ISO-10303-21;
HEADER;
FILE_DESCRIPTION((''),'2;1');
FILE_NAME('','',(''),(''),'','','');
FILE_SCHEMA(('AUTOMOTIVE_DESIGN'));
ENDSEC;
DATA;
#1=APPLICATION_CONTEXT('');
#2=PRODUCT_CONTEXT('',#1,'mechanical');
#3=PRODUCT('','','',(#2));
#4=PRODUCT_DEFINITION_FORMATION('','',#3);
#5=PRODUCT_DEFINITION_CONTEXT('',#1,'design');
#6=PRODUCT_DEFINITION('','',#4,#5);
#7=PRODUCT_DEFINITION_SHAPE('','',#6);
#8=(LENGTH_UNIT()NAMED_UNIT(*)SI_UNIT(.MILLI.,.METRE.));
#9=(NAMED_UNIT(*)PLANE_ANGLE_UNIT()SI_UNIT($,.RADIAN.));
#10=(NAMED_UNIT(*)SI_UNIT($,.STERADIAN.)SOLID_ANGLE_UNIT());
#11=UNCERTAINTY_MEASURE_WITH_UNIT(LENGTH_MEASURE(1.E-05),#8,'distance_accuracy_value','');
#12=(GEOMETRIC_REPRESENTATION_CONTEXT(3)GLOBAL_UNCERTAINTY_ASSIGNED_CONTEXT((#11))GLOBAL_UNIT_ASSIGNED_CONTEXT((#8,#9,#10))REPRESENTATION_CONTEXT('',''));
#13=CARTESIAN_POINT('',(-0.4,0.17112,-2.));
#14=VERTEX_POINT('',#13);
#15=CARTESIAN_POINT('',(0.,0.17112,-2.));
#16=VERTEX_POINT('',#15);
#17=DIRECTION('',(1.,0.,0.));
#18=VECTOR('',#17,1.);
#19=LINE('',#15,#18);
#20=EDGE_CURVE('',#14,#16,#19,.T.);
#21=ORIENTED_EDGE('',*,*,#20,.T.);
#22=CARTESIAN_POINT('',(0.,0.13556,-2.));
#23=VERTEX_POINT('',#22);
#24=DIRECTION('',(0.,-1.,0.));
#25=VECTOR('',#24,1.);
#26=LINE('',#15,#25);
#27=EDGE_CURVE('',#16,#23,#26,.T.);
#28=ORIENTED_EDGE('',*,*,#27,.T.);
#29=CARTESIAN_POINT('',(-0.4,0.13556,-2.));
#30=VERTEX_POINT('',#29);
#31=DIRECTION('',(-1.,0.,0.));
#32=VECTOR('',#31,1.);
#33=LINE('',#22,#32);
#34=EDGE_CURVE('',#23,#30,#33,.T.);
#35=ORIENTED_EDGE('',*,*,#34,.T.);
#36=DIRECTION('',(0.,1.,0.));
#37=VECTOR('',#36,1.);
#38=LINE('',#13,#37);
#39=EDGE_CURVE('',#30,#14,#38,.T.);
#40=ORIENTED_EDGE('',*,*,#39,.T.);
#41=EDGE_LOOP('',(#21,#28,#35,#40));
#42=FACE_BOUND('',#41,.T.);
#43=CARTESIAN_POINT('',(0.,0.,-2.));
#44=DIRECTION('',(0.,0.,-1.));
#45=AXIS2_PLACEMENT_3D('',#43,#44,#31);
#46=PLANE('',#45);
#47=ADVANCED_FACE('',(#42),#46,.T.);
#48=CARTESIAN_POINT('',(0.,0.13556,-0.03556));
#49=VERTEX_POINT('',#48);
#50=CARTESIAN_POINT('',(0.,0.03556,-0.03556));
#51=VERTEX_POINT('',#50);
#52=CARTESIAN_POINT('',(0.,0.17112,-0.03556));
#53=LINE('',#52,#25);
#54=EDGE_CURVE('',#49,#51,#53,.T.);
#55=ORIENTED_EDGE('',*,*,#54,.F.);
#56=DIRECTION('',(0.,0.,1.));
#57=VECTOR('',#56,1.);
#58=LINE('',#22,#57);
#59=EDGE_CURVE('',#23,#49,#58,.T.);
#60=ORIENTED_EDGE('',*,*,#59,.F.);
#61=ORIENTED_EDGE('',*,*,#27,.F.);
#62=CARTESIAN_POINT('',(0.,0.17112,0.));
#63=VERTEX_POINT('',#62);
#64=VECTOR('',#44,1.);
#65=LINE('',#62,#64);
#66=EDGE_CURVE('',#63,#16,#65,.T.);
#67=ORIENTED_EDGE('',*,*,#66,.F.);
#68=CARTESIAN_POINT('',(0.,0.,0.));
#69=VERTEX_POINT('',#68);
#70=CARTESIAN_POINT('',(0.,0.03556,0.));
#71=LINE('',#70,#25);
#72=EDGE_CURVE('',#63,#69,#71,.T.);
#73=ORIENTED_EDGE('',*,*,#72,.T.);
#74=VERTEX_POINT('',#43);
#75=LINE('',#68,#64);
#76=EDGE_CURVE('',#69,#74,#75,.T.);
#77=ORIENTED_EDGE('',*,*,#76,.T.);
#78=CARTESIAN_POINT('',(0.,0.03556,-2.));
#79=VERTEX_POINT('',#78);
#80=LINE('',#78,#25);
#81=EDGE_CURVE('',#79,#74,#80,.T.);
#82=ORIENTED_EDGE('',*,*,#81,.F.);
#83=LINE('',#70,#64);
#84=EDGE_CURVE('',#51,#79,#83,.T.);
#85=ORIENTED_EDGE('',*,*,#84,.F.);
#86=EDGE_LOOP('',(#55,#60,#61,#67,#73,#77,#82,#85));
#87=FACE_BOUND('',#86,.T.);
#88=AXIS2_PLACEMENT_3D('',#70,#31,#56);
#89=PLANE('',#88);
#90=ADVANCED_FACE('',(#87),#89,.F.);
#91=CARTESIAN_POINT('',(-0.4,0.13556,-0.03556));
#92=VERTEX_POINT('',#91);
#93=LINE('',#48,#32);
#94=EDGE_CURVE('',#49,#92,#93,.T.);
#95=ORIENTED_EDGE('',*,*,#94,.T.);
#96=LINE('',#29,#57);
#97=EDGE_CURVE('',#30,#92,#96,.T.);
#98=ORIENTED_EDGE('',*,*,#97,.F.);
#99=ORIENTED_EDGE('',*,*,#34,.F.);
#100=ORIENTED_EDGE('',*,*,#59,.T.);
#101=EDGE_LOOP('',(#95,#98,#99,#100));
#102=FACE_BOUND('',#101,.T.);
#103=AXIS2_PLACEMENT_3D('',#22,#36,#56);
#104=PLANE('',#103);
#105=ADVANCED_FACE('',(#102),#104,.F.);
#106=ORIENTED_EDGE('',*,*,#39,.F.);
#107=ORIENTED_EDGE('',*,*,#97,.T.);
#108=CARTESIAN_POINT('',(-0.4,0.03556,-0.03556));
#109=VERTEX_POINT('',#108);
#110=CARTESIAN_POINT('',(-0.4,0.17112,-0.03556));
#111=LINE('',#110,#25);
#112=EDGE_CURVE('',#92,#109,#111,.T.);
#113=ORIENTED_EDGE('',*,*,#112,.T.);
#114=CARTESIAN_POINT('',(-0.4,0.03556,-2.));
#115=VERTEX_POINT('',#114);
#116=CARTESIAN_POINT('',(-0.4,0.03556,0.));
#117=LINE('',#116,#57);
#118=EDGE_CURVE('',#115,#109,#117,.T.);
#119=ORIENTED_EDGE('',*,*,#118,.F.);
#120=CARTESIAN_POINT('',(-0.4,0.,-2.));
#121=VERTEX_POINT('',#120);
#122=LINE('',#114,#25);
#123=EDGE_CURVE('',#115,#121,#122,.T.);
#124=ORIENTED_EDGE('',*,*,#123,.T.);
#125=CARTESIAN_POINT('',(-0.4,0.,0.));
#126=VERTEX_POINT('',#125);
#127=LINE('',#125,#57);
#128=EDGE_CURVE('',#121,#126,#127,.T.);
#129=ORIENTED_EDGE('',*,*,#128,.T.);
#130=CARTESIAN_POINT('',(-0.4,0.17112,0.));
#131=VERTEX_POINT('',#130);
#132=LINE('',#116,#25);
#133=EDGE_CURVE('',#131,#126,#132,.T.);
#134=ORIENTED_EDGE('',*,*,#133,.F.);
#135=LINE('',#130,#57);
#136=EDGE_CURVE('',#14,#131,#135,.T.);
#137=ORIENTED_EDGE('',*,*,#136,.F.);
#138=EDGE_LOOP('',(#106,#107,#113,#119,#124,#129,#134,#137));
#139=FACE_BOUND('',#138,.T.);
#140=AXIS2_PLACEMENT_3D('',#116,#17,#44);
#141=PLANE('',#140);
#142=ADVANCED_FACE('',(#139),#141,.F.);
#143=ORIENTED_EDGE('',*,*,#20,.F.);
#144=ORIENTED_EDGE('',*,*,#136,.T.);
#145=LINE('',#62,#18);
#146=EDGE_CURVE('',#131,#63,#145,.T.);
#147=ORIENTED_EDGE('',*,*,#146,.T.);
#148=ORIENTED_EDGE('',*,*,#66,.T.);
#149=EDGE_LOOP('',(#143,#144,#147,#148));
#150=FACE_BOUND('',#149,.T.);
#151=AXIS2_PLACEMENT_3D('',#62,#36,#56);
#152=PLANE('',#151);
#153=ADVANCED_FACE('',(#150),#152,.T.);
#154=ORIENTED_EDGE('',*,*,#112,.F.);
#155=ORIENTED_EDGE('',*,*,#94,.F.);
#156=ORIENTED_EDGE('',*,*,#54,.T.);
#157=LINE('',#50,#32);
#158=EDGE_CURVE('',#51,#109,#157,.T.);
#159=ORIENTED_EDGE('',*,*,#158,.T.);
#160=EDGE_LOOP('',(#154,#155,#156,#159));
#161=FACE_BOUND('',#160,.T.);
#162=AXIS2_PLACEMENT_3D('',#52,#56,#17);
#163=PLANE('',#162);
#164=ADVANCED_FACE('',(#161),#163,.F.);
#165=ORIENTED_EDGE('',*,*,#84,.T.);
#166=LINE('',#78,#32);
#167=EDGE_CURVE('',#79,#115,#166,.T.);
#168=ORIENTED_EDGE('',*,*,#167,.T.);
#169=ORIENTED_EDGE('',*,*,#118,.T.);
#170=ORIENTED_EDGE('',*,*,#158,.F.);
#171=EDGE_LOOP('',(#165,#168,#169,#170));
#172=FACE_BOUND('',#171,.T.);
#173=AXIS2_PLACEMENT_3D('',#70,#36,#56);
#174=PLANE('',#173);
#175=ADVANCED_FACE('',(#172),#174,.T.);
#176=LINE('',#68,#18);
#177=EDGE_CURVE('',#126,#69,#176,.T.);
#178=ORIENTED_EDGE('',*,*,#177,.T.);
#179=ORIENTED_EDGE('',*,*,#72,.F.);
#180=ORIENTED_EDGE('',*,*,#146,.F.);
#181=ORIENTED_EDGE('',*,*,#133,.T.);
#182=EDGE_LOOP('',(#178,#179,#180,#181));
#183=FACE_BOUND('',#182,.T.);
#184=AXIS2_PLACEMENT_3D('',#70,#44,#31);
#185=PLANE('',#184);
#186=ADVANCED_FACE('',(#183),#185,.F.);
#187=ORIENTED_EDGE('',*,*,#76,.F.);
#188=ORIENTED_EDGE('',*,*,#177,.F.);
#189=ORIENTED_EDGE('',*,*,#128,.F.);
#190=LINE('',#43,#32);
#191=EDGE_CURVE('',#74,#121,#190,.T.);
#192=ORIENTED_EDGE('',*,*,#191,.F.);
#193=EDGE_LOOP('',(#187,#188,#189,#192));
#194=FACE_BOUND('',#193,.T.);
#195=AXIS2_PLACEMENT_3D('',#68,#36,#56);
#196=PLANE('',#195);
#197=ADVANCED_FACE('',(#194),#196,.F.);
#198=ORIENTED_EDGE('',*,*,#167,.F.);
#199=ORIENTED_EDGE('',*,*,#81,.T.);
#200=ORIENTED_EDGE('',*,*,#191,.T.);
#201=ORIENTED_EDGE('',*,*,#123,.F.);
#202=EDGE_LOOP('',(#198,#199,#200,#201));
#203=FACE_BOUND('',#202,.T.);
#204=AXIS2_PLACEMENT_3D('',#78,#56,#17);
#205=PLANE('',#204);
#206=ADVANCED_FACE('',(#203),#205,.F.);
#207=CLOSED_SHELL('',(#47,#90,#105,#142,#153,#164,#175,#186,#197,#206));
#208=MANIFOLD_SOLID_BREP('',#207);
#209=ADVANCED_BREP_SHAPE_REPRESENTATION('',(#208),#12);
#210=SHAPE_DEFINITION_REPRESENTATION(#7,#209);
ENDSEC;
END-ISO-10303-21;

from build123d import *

# Parameters (mm, degrees)
SKETCH1_W           = 0.4
SKETCH1_H           = 2
BOSS_EXTRUDE2_DEPTH = 0.03556
SKETCH2_W           = 0.4
SKETCH2_H           = 0.03556
BOSS_EXTRUDE3_DEPTH = 0.13556
SKETCH4_W           = 0.4
SKETCH4_H           = 0.03556
BOSS_EXTRUDE4_DEPTH = 1.96444


with BuildPart() as part:
    # Sketch1 → Boss-Extrude2 (new body)
    with BuildSketch(Plane(origin=(0, 0, 0), x_dir=(1, 0, 0), z_dir=(0, 1, 0))):
        with Locations((-0.2, 1)):
            Rectangle(SKETCH1_W, SKETCH1_H)
    extrude(amount=BOSS_EXTRUDE2_DEPTH)

    # Sketch2 → Boss-Extrude3 (add)
    with BuildSketch(Plane(origin=(0, 0.03556, 0), x_dir=(1, 0, 0), z_dir=(0, 1, 0))):
        with Locations((-0.2, 0.01778)):
            Rectangle(SKETCH2_W, SKETCH2_H)
    extrude(amount=BOSS_EXTRUDE3_DEPTH)

    # Sketch4 → Boss-Extrude4 (add)
    with BuildSketch(Plane(origin=(0, 0, -0.03556), x_dir=(-1, 0, 0), z_dir=(0, 0, -1))):
        with Locations((0.2, 0.15334)):
            Rectangle(SKETCH4_W, SKETCH4_H)
    extrude(amount=BOSS_EXTRUDE4_DEPTH)


solid = part.part
